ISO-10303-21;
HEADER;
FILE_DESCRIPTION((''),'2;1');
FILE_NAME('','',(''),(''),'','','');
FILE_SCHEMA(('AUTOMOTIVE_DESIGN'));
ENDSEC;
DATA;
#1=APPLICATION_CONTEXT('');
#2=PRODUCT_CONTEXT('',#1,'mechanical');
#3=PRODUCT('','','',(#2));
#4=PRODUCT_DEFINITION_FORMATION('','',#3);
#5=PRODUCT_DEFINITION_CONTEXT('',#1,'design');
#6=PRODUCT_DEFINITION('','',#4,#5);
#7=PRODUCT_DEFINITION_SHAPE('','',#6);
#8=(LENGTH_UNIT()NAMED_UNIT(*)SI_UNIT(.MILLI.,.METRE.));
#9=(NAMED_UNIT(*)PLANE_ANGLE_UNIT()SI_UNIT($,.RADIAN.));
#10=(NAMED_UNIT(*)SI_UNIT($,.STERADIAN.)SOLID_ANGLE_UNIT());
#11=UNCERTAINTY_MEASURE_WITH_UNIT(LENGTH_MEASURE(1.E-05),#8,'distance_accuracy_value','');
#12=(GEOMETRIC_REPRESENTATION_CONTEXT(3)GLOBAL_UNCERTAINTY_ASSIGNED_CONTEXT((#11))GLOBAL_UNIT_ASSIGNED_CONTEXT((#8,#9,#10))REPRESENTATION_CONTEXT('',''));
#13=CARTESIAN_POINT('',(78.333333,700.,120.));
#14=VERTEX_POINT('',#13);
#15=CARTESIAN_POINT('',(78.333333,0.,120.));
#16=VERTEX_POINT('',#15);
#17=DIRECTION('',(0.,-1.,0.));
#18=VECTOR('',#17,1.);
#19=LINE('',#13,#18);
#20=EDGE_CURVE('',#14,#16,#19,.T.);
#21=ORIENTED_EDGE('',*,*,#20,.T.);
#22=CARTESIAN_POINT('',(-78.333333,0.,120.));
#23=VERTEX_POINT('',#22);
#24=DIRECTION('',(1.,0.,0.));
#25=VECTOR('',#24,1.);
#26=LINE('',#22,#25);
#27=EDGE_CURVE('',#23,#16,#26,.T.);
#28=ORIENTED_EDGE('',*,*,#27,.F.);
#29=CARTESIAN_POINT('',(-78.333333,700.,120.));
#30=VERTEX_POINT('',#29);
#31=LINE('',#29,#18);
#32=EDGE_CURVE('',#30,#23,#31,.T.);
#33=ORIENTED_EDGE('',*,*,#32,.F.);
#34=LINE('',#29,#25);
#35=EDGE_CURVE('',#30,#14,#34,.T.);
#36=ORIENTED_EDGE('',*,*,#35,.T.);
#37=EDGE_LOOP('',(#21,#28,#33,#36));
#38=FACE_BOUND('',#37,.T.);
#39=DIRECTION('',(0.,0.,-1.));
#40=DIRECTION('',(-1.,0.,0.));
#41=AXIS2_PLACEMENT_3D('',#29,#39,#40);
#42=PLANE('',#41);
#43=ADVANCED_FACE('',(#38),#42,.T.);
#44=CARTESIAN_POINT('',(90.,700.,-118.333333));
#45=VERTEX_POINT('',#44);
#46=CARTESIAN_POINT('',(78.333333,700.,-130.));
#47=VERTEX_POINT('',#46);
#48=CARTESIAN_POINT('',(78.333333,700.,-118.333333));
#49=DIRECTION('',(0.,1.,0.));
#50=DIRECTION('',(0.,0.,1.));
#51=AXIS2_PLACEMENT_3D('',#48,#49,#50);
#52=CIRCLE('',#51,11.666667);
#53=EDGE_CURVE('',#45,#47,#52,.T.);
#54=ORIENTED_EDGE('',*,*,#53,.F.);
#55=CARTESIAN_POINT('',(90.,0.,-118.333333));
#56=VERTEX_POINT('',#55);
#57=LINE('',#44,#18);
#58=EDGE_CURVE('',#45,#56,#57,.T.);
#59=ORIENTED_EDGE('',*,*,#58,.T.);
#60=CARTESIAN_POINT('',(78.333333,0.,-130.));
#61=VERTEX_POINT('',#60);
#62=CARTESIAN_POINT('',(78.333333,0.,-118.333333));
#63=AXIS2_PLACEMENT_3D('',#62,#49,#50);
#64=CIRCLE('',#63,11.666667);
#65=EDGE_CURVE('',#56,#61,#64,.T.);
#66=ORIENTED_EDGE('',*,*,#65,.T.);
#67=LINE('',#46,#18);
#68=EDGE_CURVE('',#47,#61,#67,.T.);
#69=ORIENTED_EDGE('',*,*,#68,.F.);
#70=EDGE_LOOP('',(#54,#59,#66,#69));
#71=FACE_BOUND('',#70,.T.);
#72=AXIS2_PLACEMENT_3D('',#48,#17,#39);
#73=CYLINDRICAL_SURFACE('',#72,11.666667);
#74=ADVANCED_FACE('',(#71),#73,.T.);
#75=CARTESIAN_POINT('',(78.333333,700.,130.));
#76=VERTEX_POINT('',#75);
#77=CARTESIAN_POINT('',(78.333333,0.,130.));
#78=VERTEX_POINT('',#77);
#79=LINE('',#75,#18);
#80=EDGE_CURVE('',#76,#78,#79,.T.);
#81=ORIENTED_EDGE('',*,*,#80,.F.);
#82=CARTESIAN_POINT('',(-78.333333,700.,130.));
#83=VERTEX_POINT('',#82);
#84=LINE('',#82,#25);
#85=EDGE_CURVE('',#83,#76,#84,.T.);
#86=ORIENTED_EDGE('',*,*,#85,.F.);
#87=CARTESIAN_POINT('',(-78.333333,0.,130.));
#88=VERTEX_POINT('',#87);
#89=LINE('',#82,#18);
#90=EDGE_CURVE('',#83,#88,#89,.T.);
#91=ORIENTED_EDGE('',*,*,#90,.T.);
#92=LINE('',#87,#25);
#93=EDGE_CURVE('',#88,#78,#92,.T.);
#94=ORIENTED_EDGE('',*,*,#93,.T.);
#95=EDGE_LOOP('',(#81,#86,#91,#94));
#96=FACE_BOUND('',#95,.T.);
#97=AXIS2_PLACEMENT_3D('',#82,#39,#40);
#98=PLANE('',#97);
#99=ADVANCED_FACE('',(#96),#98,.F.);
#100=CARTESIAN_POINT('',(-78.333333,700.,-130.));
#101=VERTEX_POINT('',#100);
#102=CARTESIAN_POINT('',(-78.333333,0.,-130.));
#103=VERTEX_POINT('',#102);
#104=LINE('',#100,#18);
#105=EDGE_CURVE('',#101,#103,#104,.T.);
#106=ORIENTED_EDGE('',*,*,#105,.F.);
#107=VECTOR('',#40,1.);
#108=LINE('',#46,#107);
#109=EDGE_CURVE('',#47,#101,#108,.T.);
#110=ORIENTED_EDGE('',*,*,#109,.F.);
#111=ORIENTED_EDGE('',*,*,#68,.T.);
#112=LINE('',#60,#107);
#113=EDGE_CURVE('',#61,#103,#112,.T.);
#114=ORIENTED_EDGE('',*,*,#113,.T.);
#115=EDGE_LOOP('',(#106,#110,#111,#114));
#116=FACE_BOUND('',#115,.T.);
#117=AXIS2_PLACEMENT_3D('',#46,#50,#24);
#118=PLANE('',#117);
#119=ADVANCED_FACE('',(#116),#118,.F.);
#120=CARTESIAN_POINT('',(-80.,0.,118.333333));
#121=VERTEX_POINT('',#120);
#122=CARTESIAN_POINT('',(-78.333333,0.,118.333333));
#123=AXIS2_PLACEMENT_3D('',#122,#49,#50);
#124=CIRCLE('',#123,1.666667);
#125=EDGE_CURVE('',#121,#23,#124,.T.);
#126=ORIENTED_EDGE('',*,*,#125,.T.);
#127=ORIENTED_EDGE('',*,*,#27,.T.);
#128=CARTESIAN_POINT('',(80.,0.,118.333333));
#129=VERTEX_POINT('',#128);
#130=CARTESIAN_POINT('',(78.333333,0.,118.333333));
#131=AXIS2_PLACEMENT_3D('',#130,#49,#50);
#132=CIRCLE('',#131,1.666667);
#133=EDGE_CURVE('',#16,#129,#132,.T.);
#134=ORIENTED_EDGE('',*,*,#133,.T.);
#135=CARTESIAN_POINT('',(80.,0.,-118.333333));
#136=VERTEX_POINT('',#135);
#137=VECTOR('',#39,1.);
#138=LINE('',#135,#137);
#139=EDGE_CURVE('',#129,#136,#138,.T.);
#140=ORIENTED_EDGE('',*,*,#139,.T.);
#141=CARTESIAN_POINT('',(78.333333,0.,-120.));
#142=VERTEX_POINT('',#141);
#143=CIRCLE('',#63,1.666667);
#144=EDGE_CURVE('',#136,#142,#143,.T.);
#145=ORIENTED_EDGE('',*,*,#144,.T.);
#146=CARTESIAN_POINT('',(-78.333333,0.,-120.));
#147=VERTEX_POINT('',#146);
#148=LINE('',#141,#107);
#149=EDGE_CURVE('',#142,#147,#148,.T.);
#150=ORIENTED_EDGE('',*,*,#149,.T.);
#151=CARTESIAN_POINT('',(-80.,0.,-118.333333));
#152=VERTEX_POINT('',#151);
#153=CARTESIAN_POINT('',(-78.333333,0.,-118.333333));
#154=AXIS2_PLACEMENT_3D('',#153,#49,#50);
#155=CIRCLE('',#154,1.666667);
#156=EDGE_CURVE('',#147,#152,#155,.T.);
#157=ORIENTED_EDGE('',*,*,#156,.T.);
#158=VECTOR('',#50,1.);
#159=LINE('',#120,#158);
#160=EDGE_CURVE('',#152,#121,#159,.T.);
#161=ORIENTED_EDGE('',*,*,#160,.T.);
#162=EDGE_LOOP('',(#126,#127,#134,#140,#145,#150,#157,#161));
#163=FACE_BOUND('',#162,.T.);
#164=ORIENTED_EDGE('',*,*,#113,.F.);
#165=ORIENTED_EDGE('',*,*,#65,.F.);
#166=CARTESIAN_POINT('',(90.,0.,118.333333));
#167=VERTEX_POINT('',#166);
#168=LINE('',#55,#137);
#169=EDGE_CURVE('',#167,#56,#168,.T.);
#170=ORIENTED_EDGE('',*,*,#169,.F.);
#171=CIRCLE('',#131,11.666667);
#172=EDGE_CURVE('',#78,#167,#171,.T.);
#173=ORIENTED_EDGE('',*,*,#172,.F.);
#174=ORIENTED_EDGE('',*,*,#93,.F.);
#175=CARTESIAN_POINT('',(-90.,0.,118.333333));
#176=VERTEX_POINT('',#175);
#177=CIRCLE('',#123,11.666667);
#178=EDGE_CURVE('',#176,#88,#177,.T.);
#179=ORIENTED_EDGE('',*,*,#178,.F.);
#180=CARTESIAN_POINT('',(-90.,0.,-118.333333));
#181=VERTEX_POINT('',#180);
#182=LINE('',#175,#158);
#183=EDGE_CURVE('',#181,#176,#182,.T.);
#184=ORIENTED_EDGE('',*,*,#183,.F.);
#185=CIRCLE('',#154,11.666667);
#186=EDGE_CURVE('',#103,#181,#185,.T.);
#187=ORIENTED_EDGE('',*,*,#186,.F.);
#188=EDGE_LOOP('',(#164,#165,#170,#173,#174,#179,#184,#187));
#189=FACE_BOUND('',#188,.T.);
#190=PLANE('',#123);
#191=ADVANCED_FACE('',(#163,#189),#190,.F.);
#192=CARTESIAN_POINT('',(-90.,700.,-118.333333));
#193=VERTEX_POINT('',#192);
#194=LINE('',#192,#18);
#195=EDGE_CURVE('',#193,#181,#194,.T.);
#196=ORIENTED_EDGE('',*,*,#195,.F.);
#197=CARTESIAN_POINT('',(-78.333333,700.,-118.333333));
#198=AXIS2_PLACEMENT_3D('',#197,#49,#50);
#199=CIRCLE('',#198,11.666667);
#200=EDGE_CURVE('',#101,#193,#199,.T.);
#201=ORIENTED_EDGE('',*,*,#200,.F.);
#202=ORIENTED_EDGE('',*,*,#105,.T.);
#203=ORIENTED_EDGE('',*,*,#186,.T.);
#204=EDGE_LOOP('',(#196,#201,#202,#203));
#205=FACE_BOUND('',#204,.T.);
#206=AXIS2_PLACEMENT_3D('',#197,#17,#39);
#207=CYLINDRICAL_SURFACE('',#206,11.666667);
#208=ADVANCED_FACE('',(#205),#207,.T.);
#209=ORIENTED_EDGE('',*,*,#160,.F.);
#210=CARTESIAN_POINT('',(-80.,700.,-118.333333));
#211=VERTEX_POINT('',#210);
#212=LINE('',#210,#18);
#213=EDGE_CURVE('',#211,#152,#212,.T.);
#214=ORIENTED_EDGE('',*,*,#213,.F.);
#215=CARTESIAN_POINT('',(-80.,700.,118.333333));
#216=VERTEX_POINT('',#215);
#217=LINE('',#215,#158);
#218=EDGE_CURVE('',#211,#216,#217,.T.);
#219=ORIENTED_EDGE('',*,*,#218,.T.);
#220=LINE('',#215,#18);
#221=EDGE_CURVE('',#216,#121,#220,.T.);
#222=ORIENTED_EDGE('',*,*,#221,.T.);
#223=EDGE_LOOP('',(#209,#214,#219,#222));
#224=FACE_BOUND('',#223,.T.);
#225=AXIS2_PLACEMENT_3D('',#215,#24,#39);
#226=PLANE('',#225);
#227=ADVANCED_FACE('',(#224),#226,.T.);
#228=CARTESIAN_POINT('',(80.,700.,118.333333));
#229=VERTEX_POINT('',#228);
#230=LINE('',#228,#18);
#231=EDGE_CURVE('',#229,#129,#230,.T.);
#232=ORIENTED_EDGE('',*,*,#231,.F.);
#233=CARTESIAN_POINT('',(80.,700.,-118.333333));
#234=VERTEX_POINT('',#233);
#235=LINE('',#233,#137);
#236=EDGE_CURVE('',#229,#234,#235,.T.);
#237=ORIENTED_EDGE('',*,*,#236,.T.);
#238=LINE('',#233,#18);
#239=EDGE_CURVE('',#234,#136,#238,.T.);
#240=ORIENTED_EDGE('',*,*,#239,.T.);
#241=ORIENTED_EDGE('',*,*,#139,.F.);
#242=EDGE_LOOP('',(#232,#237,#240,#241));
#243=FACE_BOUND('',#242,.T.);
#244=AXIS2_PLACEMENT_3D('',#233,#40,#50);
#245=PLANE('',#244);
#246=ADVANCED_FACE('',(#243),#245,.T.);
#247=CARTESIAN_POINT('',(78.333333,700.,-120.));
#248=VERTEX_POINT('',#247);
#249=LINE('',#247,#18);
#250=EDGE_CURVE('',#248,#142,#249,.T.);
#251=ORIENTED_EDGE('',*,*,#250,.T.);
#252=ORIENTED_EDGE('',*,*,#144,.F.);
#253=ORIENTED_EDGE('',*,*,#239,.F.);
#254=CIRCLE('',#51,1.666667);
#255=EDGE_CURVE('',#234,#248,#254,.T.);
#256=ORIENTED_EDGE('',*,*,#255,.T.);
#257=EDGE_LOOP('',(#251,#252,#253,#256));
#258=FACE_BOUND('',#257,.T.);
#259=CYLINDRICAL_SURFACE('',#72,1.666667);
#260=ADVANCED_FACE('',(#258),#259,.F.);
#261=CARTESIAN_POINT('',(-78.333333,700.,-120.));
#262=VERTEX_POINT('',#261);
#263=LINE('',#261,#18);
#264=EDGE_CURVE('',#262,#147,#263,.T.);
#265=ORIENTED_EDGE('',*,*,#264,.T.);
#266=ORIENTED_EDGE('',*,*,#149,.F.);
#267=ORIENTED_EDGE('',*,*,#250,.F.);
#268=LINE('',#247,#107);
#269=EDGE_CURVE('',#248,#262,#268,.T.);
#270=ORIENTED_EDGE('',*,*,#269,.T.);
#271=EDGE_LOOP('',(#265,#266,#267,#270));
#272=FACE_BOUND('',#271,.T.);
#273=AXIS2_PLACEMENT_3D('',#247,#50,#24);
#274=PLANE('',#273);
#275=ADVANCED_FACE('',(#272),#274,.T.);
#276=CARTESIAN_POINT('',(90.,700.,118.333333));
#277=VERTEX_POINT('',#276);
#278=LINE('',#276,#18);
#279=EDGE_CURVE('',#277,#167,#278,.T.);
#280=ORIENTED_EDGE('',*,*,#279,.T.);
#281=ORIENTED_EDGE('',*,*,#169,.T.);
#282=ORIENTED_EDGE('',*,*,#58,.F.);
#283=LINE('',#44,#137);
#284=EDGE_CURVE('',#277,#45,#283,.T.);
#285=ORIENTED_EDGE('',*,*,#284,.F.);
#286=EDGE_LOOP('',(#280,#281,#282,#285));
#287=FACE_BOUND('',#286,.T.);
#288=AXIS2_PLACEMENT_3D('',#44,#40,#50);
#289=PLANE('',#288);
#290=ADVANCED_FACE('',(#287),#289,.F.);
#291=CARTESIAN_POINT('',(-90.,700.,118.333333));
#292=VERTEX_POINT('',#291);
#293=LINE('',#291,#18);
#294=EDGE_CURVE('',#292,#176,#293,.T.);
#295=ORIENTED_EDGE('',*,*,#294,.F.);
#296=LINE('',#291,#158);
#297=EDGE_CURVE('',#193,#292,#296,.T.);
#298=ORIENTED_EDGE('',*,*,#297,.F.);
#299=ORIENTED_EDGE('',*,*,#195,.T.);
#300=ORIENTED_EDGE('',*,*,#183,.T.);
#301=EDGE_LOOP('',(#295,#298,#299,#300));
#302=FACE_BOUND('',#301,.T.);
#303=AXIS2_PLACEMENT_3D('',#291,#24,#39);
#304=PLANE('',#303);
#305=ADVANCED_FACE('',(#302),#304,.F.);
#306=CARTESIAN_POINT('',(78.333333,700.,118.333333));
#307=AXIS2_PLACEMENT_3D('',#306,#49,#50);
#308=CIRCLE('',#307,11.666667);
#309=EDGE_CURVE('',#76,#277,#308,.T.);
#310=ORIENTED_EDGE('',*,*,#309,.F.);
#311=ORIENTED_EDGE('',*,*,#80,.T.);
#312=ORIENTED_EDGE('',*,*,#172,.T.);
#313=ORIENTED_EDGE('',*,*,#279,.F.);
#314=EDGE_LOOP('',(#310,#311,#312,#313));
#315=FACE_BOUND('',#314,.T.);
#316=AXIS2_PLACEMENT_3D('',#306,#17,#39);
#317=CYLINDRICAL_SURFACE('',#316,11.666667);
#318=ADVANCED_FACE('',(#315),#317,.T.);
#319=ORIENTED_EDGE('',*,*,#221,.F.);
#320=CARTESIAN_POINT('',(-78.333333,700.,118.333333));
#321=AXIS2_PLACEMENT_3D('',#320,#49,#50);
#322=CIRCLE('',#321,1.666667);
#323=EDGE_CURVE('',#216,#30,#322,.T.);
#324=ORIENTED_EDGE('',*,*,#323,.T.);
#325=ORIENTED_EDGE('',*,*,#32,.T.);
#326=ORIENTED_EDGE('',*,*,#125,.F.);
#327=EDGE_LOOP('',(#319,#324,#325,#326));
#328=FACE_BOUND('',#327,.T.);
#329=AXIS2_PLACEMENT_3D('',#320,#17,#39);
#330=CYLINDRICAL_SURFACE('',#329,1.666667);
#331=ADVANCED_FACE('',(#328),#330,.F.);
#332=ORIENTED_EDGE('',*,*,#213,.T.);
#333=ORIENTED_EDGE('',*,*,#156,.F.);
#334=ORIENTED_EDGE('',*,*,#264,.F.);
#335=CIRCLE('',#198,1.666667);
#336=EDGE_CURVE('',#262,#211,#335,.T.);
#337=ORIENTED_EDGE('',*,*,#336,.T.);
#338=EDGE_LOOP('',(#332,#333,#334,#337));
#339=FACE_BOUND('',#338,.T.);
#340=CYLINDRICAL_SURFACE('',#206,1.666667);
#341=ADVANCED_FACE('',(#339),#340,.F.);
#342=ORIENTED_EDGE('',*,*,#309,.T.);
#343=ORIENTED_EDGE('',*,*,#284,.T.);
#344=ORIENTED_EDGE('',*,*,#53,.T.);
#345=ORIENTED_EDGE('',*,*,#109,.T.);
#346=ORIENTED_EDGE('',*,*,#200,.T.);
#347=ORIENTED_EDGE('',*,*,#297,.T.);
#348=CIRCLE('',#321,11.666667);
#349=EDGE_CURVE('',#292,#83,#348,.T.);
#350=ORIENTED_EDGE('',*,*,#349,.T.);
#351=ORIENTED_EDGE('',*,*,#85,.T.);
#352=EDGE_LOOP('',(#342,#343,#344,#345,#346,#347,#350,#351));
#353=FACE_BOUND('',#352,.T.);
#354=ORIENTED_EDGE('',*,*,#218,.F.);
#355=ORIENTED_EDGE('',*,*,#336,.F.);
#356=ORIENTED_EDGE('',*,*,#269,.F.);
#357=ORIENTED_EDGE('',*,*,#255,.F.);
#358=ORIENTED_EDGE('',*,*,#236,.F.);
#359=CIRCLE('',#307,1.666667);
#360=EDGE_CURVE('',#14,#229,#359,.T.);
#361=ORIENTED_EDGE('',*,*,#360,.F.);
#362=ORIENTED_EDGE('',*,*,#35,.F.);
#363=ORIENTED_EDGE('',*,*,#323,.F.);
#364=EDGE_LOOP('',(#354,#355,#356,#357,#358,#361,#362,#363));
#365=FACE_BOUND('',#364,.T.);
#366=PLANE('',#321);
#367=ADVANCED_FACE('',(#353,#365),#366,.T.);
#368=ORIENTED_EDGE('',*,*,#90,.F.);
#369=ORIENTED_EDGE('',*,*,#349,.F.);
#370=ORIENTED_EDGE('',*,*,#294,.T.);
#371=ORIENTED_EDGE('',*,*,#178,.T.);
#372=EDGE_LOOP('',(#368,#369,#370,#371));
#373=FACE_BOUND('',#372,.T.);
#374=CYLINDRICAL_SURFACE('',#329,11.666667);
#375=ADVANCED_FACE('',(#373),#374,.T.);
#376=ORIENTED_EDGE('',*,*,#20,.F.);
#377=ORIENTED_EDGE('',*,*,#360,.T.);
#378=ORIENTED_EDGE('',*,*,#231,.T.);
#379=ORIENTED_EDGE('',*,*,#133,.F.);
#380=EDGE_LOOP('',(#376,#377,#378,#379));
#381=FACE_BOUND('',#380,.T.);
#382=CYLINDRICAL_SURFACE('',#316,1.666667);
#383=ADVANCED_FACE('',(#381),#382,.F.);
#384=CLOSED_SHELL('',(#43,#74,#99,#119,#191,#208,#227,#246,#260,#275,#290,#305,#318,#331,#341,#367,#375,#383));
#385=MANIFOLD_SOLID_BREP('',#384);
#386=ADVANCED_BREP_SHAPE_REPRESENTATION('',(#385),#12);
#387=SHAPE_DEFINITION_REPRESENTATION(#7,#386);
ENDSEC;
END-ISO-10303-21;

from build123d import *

# Parameters (mm, degrees)
RHS_RHS90X50X5_1_DEPTH = 700


with BuildPart() as part:
    # Sketch11 → Rhs RHS90X50X5(1) (new body)
    with BuildSketch(Plane(origin=(0, 0, 0), x_dir=(-1, 0, 0), z_dir=(0, 1, 0))):
        with BuildLine():
            Line((-78.333333333, -130), (78.333333333, -130))
            ThreePointArc((78.333333333, -130), (86.582912447, -126.582912447), (90, -118.333333333))
            Line((90, -118.333333333), (90, 118.333333333))
            ThreePointArc((90, 118.333333333), (86.582912447, 126.582912447), (78.333333333, 130))
            Line((78.333333333, 130), (-78.333333333, 130))
            ThreePointArc((-78.333333333, 130), (-86.582912447, 126.582912447), (-90, 118.333333333))
            Line((-90, 118.333333333), (-90, -118.333333333))
            ThreePointArc((-90, -118.333333333), (-86.582912447, -126.582912447), (-78.333333333, -130))
        make_face()
        with BuildLine():
            Line((-78.333333333, -120), (78.333333333, -120))
            ThreePointArc((78.333333333, -120), (79.511844635, -119.511844635), (80, -118.333333333))
            Line((80, -118.333333333), (80, 118.333333333))
            ThreePointArc((80, 118.333333333), (79.511844635, 119.511844635), (78.333333333, 120))
            Line((78.333333333, 120), (-78.333333333, 120))
            ThreePointArc((-78.333333333, 120), (-79.511844635, 119.511844635), (-80, 118.333333333))
            Line((-80, 118.333333333), (-80, -118.333333333))
            ThreePointArc((-80, -118.333333333), (-79.511844635, -119.511844635), (-78.333333333, -120))
        make_face(mode=Mode.SUBTRACT)
    extrude(amount=RHS_RHS90X50X5_1_DEPTH)


solid = part.part
